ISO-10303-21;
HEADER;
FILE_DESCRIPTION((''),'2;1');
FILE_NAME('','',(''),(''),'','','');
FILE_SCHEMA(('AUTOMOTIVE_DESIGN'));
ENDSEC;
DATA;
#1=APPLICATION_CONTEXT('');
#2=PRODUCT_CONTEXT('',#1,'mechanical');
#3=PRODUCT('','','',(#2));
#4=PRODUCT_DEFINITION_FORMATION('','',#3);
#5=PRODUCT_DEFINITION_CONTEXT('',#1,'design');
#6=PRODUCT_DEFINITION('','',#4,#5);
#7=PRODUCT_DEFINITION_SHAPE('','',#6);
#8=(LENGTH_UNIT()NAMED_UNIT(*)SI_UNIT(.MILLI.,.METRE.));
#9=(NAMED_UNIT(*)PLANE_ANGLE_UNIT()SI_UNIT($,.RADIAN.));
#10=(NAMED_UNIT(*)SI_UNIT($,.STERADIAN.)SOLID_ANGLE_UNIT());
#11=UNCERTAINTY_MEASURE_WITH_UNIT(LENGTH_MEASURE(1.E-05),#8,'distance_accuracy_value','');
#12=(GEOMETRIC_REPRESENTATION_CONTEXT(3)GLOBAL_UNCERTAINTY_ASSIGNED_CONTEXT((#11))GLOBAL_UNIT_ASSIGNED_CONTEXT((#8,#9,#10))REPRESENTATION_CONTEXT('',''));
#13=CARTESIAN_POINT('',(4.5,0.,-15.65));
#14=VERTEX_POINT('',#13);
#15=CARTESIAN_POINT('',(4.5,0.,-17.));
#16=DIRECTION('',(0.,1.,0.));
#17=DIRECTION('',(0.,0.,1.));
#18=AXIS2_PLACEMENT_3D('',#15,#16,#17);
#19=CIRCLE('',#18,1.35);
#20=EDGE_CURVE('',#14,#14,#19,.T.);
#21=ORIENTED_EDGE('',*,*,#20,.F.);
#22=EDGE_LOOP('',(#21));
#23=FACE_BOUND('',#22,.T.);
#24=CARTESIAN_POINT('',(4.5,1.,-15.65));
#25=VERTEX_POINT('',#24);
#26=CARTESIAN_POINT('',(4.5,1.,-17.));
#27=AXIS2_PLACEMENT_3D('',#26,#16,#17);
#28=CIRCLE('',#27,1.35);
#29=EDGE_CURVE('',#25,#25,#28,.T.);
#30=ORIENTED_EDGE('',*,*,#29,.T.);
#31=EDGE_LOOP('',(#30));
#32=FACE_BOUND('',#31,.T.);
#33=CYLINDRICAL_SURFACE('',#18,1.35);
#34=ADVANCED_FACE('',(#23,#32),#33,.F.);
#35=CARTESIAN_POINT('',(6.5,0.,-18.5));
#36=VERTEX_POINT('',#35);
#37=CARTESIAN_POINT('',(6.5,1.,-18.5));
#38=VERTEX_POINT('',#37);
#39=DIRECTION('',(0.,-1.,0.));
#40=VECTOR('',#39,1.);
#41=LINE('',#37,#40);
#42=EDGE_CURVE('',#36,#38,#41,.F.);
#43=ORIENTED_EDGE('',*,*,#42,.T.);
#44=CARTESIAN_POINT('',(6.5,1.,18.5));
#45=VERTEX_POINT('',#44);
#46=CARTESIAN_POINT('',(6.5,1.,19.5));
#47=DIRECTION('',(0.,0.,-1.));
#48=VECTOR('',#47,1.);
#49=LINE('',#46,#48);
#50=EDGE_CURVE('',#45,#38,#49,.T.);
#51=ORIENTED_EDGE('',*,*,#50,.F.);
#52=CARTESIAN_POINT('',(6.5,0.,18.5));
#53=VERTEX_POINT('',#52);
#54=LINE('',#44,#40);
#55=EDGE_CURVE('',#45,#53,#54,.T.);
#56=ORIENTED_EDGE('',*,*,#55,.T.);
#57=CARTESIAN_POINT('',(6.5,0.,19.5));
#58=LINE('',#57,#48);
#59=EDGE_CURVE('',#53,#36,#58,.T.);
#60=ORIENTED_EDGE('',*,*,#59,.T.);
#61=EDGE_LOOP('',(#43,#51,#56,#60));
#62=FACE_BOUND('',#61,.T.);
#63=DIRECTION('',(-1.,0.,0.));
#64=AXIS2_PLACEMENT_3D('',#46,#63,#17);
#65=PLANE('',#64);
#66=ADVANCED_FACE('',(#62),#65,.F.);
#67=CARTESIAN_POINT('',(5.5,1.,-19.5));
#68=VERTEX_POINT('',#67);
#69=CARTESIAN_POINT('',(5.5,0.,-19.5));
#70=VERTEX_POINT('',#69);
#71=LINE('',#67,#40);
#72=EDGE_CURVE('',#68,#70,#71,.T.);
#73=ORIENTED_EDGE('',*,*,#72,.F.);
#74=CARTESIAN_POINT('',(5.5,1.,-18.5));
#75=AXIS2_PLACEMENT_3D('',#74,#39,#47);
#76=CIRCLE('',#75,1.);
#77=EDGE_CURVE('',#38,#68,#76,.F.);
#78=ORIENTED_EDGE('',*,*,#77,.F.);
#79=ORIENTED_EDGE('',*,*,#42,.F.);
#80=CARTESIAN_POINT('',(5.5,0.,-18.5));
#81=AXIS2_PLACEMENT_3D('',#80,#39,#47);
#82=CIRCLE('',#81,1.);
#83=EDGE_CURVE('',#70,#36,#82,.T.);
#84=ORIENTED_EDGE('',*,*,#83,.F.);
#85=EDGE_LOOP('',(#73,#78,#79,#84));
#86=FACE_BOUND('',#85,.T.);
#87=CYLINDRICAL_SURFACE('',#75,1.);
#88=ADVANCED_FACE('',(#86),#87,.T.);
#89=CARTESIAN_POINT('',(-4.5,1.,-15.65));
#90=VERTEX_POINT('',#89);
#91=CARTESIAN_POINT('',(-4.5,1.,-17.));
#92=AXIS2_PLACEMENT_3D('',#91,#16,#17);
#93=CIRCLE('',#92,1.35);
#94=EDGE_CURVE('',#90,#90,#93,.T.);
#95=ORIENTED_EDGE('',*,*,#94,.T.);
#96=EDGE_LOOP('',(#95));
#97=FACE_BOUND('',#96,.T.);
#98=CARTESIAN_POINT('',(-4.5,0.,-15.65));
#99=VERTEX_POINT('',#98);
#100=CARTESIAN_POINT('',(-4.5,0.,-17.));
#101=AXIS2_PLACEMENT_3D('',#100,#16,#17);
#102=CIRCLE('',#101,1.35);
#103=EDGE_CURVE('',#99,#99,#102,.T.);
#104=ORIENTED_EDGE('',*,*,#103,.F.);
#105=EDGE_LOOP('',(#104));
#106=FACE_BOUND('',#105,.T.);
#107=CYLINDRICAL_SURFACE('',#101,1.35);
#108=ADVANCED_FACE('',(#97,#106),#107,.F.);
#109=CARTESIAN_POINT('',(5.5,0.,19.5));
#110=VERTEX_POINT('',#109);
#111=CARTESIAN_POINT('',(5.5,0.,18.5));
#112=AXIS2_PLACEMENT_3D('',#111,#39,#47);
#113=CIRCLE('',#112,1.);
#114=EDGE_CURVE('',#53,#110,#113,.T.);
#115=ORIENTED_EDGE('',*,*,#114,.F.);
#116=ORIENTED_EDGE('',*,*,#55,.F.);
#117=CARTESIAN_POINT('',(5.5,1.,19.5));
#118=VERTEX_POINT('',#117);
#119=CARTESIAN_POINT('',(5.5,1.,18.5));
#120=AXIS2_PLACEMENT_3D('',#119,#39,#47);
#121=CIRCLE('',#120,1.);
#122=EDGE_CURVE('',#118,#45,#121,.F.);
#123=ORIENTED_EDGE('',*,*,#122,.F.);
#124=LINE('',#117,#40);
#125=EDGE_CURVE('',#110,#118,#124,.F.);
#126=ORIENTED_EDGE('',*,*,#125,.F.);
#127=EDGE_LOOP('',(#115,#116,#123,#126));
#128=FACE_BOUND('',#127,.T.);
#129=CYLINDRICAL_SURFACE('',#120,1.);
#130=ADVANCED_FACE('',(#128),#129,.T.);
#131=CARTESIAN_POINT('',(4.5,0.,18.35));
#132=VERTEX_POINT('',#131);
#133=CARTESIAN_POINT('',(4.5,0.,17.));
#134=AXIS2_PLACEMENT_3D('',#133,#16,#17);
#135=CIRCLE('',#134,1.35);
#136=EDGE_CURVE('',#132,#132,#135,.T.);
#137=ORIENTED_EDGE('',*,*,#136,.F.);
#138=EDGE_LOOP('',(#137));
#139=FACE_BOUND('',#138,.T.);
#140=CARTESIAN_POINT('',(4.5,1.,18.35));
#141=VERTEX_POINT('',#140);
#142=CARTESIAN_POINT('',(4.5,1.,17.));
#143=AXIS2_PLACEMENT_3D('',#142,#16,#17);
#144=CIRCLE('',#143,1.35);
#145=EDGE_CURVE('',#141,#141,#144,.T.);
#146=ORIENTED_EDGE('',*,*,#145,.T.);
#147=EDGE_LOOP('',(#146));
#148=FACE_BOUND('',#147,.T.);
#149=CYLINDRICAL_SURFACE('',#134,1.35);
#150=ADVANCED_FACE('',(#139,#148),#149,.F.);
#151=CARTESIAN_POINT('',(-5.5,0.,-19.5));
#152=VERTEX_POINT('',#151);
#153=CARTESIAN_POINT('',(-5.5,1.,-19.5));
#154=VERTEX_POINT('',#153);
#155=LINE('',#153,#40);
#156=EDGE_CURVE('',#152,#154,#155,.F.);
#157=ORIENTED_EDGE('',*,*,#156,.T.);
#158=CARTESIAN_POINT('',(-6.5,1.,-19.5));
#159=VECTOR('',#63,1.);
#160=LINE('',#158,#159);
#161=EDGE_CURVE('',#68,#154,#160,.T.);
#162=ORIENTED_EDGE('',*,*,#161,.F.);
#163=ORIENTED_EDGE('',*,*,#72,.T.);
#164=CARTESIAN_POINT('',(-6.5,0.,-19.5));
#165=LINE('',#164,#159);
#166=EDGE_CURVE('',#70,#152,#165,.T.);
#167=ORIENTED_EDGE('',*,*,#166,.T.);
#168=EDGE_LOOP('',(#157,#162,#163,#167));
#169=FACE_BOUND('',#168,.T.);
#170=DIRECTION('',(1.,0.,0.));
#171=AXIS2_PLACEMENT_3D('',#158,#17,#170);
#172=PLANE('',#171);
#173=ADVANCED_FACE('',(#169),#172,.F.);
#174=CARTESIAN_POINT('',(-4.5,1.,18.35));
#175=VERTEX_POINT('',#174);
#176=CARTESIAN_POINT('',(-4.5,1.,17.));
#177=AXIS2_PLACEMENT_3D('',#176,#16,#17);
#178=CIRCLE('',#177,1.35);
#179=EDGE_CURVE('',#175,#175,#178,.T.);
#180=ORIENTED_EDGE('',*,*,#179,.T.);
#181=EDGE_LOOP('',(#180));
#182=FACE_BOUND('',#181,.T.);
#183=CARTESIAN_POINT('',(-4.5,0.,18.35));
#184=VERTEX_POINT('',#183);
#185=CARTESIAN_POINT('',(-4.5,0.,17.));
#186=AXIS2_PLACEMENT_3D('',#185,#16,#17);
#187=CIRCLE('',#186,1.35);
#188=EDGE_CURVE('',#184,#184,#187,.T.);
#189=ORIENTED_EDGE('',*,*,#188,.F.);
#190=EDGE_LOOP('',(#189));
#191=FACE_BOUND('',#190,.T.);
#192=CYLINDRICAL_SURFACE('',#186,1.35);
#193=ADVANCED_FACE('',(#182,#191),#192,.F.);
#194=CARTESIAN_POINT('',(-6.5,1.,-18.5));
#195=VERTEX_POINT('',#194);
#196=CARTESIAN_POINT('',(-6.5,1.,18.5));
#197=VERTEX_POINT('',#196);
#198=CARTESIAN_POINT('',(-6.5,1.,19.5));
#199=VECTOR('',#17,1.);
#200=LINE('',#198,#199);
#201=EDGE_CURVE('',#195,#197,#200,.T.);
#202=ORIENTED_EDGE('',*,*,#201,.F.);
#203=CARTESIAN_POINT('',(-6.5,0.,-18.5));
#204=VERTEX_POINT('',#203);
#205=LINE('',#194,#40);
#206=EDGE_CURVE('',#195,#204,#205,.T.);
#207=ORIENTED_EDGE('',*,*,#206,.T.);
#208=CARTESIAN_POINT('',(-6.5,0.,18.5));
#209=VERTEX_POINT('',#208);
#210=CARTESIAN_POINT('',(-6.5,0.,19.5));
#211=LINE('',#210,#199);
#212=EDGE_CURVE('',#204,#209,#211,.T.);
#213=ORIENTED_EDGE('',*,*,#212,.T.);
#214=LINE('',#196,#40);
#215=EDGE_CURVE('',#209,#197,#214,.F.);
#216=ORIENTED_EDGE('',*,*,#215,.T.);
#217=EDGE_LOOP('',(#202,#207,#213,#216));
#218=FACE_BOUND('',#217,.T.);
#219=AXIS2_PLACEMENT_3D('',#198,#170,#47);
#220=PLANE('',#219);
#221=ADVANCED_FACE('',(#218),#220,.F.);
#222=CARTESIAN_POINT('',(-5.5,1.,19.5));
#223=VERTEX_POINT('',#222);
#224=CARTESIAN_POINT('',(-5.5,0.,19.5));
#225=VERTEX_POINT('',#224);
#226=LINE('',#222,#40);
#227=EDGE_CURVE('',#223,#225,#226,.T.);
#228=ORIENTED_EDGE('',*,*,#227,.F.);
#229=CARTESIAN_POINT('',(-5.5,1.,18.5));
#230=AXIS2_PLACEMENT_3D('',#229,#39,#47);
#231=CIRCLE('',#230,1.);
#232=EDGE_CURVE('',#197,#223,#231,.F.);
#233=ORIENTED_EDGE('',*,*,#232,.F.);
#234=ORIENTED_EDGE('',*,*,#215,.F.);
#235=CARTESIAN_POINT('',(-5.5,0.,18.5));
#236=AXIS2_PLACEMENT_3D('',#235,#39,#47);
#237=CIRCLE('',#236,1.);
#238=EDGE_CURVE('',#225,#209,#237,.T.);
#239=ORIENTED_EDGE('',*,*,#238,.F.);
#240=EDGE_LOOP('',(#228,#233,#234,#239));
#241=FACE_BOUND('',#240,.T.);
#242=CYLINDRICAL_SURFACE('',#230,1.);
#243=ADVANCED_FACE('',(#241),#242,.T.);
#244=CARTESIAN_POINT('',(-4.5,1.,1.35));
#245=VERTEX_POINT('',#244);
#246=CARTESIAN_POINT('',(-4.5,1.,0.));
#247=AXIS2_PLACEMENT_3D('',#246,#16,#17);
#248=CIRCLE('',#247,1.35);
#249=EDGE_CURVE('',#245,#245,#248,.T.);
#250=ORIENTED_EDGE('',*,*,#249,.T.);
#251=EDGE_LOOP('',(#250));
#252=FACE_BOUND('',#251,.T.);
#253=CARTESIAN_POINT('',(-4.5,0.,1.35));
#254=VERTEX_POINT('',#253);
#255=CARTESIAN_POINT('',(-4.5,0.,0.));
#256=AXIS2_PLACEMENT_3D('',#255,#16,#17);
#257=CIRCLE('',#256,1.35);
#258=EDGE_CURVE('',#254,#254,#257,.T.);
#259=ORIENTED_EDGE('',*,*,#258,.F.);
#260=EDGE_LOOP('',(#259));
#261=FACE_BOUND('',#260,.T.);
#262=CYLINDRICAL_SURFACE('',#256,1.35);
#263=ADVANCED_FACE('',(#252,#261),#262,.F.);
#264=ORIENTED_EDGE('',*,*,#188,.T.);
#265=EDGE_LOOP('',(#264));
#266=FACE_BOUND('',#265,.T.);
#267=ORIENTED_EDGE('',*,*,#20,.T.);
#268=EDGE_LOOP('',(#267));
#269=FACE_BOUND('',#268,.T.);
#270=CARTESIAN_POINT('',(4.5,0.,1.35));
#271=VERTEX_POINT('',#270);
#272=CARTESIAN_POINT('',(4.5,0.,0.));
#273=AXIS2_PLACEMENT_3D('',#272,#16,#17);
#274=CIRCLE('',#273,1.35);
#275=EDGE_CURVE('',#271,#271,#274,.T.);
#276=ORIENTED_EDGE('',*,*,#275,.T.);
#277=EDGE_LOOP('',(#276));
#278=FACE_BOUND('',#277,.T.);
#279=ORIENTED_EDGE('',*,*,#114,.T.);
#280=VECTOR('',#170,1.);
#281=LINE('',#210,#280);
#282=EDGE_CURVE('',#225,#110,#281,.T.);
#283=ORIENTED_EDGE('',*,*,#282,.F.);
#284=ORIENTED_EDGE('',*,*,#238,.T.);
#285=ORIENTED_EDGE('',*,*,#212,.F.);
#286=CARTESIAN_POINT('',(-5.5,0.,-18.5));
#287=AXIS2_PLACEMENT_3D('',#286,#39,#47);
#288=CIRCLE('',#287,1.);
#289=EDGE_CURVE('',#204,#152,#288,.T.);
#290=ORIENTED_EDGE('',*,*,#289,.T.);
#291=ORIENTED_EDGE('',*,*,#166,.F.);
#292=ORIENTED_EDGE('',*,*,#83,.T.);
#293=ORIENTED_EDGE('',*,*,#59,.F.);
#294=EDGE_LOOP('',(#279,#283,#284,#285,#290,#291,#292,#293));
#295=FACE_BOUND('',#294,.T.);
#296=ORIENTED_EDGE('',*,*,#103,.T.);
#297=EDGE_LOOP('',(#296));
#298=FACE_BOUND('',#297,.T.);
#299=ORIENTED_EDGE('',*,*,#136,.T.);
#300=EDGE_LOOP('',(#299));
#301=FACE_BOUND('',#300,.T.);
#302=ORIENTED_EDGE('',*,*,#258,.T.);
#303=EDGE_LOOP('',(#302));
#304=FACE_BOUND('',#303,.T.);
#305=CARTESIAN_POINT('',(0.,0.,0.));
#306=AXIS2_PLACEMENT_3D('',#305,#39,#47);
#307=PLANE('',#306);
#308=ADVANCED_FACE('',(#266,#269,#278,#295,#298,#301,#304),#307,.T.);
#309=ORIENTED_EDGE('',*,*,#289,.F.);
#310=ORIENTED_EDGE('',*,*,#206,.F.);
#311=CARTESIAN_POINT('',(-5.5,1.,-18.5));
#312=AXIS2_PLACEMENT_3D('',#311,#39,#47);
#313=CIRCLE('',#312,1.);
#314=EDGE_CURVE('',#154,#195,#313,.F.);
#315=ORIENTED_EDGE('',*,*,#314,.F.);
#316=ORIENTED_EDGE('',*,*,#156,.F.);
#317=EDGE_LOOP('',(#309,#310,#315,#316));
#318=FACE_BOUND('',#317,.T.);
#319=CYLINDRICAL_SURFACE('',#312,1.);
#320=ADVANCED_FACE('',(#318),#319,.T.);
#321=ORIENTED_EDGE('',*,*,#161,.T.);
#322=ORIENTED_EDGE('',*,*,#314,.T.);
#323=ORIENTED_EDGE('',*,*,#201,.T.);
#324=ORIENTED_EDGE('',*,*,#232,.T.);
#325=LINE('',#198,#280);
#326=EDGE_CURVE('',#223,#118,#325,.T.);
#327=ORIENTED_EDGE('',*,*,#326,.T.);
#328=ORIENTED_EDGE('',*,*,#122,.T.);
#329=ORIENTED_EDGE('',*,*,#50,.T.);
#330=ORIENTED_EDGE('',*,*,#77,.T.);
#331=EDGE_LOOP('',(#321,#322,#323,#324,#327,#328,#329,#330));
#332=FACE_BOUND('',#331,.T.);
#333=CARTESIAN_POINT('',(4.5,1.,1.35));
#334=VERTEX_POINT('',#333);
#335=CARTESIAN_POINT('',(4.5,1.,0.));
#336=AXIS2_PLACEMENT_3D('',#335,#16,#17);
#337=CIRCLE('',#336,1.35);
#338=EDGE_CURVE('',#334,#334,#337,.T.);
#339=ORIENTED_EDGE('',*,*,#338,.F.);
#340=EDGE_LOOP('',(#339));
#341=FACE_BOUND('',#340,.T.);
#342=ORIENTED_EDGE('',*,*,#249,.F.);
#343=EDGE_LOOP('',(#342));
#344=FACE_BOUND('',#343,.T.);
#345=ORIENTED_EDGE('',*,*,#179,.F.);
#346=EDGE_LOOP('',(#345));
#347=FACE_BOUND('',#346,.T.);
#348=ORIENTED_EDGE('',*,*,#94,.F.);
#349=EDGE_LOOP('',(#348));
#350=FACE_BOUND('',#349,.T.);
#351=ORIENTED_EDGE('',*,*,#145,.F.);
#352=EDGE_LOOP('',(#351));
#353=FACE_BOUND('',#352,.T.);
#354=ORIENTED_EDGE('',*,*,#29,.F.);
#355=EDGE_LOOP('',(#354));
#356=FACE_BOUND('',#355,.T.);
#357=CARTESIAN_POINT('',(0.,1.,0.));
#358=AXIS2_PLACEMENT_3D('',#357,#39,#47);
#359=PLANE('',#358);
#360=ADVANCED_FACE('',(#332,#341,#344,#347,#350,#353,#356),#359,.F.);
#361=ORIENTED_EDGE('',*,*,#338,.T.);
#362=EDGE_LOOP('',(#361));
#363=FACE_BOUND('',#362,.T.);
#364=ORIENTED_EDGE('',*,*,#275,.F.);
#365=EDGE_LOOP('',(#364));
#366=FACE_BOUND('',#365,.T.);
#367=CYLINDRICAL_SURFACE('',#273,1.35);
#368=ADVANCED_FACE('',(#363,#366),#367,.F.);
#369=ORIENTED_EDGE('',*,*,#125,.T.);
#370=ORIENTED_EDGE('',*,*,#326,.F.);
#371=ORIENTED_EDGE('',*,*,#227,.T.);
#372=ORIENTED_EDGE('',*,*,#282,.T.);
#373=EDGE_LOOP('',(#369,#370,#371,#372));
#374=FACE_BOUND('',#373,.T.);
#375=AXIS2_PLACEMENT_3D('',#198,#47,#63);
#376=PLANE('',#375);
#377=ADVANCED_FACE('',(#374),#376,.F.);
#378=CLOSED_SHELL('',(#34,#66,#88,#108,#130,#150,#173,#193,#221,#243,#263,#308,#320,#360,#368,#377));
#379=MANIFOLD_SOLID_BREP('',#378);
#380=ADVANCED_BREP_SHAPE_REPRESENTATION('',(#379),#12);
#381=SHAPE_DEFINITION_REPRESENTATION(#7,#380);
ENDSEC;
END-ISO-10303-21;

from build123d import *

# Parameters (mm, degrees)
SKETCH1_W           = 13
SKETCH1_H           = 39
BOSS_EXTRUDE1_DEPTH = 1
SKETCH2_R           = 1.35
CUT_EXTRUDE1_DEPTH  = 2
FILLET1_R           = 1


with BuildPart() as part:
    # Sketch1 → Boss-Extrude1 (new body)
    with BuildSketch(Plane(origin=(0, 0, 0), x_dir=(1, 0, 0), z_dir=(0, 1, 0))):
        Rectangle(SKETCH1_W, SKETCH1_H)
    extrude(amount=BOSS_EXTRUDE1_DEPTH)

    # Sketch2 → Cut-Extrude1 (cut, through all)
    with BuildSketch(Plane(origin=(0, 1, 0), x_dir=(1, 0, 0), z_dir=(0, 1, 0))):
        with Locations((4.5, 0)):
            Circle(SKETCH2_R)
        with Locations((4.5, -17)):
            Circle(SKETCH2_R)
        with Locations((4.5, 17)):
            Circle(SKETCH2_R)
        with Locations((-4.5, 0)):
            Circle(SKETCH2_R)
        with Locations((-4.5, 17)):
            Circle(SKETCH2_R)
        with Locations((-4.5, -17)):
            Circle(SKETCH2_R)
    extrude(amount=-CUT_EXTRUDE1_DEPTH, mode=Mode.SUBTRACT)

    # Fillet1
    fillet1_edges = [part.edges().sort_by_distance(p)[0] for p in [
        (6.5, 0.5, 19.5),
        (-6.5, 0.5, 19.5),
        (-6.5, 0.5, -19.5),
        (6.5, 0.5, -19.5),
    ]]
    fillet(fillet1_edges, radius=FILLET1_R)


solid = part.part
